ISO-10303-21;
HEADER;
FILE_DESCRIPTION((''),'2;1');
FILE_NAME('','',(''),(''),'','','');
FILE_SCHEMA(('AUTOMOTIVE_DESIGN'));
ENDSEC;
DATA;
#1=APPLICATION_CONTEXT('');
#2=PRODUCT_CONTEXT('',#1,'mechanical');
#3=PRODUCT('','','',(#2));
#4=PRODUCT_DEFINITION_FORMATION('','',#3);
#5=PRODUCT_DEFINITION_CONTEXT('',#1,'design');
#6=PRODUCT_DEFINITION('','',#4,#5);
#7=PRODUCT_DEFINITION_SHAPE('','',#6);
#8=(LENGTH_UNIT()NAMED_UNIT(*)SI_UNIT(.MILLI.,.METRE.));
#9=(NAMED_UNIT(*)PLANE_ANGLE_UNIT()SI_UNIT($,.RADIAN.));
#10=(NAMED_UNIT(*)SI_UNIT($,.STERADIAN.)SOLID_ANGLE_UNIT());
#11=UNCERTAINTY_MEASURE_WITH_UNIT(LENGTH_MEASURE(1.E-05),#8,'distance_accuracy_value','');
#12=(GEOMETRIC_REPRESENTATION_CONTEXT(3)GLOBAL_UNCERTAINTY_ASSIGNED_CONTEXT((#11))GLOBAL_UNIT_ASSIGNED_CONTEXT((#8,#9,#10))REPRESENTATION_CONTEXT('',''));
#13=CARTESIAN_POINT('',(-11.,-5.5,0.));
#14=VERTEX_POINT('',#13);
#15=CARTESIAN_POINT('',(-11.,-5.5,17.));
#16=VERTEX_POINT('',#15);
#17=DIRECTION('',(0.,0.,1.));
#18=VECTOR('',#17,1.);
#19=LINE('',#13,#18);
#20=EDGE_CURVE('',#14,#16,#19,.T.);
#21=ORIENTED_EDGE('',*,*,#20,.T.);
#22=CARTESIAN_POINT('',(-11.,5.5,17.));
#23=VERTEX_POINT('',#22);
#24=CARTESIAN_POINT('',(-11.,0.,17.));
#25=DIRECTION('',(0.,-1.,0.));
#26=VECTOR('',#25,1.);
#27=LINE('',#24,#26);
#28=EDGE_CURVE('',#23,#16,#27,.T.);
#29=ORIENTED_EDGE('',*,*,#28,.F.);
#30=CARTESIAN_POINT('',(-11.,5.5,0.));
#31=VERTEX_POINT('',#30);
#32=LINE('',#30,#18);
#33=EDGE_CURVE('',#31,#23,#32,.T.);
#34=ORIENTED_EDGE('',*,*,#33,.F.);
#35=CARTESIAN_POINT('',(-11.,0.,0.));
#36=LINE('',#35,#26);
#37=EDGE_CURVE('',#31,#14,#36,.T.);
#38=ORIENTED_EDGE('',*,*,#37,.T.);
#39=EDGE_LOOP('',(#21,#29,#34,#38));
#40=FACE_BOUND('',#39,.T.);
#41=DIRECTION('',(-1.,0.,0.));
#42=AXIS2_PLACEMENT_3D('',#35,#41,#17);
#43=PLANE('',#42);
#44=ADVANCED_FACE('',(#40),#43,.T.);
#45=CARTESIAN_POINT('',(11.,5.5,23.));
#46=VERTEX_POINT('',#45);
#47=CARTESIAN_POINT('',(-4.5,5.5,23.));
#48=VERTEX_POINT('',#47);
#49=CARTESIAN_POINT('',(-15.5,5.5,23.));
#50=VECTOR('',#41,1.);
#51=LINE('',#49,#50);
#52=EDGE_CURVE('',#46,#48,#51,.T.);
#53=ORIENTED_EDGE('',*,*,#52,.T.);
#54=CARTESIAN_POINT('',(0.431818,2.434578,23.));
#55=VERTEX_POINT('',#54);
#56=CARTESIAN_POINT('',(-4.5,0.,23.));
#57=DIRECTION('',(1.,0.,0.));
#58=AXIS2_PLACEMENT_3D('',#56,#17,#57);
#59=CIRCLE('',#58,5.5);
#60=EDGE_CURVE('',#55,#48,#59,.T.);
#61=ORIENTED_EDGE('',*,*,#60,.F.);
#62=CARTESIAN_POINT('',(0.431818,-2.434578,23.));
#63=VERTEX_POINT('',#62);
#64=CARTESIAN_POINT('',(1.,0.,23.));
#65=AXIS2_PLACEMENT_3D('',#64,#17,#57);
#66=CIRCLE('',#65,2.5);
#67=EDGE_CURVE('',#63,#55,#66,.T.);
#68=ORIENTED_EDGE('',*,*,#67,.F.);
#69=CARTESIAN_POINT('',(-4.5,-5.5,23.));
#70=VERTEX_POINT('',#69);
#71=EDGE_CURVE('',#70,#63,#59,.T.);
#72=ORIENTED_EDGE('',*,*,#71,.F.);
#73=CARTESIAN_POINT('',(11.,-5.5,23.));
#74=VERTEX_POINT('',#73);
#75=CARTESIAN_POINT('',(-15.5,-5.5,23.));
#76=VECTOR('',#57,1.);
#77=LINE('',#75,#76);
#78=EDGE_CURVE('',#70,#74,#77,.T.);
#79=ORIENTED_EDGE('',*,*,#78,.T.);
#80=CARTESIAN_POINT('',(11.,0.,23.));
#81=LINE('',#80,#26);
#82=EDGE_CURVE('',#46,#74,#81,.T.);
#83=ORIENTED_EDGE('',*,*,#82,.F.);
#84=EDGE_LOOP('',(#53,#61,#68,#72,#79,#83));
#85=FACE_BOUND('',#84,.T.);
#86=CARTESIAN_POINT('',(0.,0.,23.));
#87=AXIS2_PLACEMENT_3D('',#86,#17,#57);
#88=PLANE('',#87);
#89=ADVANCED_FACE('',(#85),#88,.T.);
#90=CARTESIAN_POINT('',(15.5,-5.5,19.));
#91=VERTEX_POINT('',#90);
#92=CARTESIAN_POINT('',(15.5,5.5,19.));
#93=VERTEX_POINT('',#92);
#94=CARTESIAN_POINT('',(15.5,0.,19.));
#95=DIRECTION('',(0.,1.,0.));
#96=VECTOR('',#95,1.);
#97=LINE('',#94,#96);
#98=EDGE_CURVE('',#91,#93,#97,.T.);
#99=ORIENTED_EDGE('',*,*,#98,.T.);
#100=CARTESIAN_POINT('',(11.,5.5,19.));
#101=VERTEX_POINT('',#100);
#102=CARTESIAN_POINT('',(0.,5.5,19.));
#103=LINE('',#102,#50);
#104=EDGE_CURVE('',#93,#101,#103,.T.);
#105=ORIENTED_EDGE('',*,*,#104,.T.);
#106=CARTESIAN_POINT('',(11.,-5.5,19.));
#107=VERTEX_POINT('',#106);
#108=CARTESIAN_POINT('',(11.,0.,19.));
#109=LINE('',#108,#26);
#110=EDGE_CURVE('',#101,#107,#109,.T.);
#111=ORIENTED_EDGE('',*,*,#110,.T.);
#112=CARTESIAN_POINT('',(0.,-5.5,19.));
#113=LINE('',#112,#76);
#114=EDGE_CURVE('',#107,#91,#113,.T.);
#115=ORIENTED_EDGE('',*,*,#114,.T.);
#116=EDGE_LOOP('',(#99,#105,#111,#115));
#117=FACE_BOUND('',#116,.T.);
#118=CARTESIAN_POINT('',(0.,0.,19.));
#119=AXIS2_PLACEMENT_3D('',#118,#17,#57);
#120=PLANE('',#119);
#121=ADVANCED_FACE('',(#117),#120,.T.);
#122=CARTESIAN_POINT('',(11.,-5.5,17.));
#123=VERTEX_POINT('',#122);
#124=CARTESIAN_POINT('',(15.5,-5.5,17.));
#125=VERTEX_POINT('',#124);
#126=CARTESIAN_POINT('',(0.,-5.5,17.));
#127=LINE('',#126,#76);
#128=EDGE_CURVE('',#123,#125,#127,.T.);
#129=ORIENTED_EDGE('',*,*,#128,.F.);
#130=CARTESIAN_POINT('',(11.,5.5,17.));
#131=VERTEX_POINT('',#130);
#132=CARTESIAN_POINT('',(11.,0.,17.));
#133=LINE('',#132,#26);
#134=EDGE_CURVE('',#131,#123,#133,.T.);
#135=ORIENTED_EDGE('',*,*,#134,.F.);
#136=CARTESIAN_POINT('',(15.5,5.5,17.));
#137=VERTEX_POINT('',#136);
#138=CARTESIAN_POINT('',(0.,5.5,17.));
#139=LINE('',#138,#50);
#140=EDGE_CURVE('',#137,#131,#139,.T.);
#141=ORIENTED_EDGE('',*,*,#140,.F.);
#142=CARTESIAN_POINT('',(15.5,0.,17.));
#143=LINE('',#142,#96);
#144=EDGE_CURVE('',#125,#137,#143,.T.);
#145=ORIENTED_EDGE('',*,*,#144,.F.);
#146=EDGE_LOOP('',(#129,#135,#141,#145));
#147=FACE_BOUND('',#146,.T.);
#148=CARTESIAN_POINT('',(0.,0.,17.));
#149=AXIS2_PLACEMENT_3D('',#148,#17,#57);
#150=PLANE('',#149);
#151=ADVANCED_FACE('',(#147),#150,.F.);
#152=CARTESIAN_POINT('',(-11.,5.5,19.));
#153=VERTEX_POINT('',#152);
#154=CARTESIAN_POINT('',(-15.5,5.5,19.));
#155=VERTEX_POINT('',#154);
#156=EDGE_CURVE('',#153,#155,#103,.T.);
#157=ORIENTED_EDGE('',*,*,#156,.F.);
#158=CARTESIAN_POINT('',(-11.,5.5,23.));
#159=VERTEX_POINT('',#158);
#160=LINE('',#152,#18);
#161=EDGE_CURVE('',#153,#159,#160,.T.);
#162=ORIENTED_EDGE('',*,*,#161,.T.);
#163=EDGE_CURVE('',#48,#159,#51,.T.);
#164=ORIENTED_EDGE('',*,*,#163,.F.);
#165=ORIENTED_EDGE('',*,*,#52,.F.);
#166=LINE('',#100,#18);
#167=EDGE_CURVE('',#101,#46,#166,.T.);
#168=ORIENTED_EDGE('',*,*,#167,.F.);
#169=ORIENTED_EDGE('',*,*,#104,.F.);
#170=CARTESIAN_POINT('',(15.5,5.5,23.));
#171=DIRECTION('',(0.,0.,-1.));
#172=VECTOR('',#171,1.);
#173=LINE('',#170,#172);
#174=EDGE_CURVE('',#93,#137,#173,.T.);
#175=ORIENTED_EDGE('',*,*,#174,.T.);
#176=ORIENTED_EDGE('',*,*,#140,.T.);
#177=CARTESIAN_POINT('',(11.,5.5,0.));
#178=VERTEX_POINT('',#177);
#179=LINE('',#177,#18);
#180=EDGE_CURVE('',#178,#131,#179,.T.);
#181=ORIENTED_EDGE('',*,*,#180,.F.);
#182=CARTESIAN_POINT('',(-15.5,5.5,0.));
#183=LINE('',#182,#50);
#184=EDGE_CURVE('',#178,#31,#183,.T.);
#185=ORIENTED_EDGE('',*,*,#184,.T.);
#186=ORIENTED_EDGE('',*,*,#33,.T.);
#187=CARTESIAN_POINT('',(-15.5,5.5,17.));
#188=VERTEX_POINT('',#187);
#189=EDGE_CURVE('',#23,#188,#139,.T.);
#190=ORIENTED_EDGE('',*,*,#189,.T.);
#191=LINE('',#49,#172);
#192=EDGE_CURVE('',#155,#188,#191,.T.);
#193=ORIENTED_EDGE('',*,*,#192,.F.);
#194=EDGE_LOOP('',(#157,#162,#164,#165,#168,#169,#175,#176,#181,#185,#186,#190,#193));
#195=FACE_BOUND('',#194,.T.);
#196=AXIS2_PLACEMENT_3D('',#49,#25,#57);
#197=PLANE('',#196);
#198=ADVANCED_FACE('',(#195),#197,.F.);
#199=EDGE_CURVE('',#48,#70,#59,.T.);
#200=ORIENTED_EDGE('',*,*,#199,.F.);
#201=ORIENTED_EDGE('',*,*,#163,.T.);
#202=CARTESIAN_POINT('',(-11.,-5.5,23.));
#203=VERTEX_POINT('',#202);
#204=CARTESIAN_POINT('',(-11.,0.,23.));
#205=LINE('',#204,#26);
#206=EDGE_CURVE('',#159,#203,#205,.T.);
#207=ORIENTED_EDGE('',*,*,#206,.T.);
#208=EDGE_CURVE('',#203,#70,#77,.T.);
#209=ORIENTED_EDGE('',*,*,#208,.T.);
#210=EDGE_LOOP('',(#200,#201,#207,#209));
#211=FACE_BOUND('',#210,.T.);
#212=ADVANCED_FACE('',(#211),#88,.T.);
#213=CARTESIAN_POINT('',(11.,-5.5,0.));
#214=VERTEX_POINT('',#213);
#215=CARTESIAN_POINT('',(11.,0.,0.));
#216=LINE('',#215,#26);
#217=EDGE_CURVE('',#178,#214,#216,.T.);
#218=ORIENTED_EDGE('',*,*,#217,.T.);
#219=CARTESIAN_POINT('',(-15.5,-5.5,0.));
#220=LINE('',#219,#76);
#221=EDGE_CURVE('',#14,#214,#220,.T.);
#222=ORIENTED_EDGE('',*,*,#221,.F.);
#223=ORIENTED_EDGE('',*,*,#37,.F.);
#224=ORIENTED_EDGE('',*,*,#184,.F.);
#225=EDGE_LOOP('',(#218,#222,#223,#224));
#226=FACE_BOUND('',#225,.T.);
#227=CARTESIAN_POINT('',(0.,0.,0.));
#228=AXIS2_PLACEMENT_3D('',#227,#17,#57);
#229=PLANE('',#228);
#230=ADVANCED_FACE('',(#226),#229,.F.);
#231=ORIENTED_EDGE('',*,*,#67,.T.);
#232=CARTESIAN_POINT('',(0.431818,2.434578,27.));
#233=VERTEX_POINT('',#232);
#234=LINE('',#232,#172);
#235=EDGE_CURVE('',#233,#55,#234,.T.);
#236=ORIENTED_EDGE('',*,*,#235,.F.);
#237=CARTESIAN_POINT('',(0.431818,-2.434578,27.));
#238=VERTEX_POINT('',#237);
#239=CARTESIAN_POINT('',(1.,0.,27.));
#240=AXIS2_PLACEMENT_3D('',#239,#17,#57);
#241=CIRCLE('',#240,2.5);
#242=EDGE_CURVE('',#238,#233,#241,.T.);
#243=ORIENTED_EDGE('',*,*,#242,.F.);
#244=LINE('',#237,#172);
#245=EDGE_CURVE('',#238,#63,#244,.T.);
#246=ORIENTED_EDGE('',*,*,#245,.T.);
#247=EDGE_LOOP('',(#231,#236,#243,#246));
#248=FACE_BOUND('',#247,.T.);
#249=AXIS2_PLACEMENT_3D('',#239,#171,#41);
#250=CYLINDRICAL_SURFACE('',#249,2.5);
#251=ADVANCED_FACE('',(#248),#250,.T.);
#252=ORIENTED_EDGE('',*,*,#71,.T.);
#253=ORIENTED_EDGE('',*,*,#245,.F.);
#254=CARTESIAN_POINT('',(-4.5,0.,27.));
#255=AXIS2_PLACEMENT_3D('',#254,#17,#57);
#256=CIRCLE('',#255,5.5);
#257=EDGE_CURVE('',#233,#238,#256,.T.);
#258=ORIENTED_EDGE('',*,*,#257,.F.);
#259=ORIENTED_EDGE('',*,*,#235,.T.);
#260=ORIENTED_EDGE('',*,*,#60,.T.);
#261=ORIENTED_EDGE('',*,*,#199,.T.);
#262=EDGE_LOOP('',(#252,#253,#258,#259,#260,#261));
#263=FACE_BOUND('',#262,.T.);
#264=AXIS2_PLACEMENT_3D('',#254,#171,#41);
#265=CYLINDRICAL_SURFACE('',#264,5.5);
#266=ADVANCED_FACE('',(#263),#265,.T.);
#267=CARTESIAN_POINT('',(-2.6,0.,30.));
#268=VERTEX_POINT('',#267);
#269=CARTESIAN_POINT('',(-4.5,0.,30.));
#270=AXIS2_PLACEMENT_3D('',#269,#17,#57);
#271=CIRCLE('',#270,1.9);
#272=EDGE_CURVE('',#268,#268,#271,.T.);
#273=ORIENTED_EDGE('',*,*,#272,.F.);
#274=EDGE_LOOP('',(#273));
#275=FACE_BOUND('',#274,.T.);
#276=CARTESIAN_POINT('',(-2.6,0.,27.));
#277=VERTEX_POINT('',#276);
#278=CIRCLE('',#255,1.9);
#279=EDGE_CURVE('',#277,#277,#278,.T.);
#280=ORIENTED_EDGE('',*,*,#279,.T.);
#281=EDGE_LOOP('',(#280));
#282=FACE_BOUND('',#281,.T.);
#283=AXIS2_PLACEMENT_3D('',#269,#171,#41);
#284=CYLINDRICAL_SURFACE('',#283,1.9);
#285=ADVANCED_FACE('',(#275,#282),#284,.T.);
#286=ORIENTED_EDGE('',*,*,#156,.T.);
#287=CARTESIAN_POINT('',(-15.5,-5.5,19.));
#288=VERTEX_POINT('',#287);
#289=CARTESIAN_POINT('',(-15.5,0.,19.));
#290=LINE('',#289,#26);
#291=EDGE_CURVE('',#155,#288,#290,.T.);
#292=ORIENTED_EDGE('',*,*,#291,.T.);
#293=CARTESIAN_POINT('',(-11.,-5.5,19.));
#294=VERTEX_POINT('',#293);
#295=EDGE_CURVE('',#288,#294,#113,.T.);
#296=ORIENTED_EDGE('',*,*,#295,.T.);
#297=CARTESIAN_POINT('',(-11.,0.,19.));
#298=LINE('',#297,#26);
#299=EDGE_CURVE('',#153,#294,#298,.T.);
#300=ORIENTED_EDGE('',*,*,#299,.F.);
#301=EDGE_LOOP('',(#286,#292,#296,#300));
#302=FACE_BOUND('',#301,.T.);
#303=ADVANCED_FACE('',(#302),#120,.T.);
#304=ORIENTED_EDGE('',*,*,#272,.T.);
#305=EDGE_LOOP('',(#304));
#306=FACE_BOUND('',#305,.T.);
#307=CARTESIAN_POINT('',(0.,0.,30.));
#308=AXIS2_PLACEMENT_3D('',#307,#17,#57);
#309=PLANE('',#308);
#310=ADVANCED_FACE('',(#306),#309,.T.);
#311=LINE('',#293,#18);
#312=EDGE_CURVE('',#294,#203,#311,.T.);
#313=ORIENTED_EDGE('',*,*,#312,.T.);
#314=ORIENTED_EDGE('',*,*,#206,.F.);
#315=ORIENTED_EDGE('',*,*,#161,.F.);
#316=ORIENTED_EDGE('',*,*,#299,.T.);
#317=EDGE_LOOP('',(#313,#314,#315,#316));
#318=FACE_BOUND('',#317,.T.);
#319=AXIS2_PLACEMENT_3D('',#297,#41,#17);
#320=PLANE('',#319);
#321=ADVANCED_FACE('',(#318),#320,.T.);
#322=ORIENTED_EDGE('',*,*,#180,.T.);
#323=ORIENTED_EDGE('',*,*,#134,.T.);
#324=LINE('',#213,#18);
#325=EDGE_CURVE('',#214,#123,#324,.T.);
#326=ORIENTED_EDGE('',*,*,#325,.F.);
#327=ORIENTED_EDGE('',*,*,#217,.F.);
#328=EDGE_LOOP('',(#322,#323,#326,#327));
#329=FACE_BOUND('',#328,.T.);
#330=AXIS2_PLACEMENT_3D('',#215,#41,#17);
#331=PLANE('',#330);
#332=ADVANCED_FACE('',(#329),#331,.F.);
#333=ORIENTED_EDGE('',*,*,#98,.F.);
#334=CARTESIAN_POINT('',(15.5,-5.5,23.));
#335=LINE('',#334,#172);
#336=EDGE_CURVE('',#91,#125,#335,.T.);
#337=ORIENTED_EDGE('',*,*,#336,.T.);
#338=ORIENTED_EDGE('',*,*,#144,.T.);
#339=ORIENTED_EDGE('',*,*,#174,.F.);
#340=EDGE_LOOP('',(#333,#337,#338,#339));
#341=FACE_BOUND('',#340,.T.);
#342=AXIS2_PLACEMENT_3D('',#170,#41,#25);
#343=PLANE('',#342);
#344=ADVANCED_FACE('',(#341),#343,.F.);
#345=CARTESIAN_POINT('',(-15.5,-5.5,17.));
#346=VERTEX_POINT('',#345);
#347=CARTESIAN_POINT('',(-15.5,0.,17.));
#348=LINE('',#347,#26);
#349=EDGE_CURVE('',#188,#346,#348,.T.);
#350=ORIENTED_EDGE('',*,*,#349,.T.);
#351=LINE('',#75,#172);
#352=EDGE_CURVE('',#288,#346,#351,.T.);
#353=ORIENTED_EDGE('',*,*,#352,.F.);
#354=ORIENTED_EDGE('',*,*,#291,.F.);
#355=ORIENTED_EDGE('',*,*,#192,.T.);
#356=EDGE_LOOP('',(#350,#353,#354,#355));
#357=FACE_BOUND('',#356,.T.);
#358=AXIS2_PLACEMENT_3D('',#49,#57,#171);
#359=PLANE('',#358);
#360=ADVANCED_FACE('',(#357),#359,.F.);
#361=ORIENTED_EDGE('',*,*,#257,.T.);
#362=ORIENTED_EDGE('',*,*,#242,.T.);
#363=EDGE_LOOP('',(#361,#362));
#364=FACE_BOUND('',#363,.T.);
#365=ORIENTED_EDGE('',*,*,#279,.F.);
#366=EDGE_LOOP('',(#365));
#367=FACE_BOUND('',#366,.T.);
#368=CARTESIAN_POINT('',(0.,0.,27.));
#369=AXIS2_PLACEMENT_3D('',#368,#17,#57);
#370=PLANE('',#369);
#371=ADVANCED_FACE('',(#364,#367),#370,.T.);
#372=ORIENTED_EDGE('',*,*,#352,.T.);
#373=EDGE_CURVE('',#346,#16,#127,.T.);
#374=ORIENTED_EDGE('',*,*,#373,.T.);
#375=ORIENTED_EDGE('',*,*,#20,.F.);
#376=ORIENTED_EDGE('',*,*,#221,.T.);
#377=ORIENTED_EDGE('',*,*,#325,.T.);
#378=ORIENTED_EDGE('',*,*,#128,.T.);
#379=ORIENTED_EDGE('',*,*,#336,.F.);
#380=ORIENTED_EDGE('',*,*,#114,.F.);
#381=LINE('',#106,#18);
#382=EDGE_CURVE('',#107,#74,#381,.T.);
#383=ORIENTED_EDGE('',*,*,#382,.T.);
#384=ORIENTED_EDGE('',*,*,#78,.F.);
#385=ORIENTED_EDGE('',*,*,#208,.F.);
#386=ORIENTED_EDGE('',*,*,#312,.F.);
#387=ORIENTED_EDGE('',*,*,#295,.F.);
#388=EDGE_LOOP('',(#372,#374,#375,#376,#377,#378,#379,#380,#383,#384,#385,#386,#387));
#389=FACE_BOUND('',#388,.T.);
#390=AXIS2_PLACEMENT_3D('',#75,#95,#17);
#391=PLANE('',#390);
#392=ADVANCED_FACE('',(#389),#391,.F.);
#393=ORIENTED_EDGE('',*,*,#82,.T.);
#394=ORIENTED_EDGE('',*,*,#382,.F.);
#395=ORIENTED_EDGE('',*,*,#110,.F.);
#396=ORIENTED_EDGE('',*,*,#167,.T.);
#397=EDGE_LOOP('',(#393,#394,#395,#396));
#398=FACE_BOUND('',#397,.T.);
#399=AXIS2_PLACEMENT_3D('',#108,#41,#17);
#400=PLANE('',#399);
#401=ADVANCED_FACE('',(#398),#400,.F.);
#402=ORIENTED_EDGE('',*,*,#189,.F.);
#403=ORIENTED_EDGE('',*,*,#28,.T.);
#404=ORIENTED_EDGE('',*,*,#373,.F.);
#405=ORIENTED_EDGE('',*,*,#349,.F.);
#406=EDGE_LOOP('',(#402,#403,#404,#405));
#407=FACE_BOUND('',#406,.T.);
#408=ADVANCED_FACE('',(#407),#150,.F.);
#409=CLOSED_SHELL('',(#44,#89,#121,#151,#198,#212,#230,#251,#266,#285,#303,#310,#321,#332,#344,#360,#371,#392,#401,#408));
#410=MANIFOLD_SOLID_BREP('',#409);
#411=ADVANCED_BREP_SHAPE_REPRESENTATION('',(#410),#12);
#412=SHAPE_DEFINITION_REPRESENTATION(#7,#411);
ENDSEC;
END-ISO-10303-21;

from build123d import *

# Parameters (mm, degrees)
SKETCH2_W           = 31
SKETCH2_H           = 11
SKETCH2_R           = 1.9
BOSS_EXTRUDE1_DEPTH = 23
SKETCH2_2_R         = 1.9
BOSS_EXTRUDE2_DEPTH = 30
SKETCH3_W           = 4.5
SKETCH3_H           = 11
CUT_EXTRUDE1_DEPTH  = 4
CUT_EXTRUDE2_START  = -6
SKETCH3_5_W         = 4.5
SKETCH3_5_H         = 11
CUT_EXTRUDE2_DEPTH  = 23.275431031
BOSS_EXTRUDE3_DEPTH = 4


with BuildPart() as part:
    # Sketch2 → Boss-Extrude1 (new body)
    with BuildSketch(Plane.XY):
        Rectangle(SKETCH2_W, SKETCH2_H)
        with Locations((-4.5, 0)):
            Circle(SKETCH2_R, mode=Mode.SUBTRACT)
    extrude(amount=BOSS_EXTRUDE1_DEPTH)

    # Sketch2<2> → Boss-Extrude2 (add)
    with BuildSketch(Plane.XY):
        with Locations((-4.5, 0)):
            Circle(SKETCH2_2_R)
    extrude(amount=BOSS_EXTRUDE2_DEPTH)

    # Sketch3 → Cut-Extrude1 (cut)
    with BuildSketch(Plane.XY.offset(23)):
        with Locations((-13.25, 0)):
            Rectangle(SKETCH3_W, SKETCH3_H)
        with Locations((13.25, 0)):
            Rectangle(SKETCH3_W, SKETCH3_H)
    extrude(amount=-CUT_EXTRUDE1_DEPTH, mode=Mode.SUBTRACT)

    # Sketch3<5> → Cut-Extrude2 (cut, through all)
    with BuildSketch(Plane.XY.offset(23).offset(CUT_EXTRUDE2_START)):
        with Locations((-13.25, 0)):
            Rectangle(SKETCH3_5_W, SKETCH3_5_H)
        with Locations((13.25, 0)):
            Rectangle(SKETCH3_5_W, SKETCH3_5_H)
    extrude(amount=-CUT_EXTRUDE2_DEPTH, mode=Mode.SUBTRACT)

    # Sketch4 → Boss-Extrude3 (add)
    with BuildSketch(Plane.XY.offset(23)):
        with BuildLine():
            ThreePointArc((0.431818182, 2.434577873), (-10, 0), (0.431818182, -2.434577873))
            ThreePointArc((0.431818182, -2.434577873), (3.5, 0), (0.431818182, 2.434577873))
        make_face()
    extrude(amount=BOSS_EXTRUDE3_DEPTH)


solid = part.part
